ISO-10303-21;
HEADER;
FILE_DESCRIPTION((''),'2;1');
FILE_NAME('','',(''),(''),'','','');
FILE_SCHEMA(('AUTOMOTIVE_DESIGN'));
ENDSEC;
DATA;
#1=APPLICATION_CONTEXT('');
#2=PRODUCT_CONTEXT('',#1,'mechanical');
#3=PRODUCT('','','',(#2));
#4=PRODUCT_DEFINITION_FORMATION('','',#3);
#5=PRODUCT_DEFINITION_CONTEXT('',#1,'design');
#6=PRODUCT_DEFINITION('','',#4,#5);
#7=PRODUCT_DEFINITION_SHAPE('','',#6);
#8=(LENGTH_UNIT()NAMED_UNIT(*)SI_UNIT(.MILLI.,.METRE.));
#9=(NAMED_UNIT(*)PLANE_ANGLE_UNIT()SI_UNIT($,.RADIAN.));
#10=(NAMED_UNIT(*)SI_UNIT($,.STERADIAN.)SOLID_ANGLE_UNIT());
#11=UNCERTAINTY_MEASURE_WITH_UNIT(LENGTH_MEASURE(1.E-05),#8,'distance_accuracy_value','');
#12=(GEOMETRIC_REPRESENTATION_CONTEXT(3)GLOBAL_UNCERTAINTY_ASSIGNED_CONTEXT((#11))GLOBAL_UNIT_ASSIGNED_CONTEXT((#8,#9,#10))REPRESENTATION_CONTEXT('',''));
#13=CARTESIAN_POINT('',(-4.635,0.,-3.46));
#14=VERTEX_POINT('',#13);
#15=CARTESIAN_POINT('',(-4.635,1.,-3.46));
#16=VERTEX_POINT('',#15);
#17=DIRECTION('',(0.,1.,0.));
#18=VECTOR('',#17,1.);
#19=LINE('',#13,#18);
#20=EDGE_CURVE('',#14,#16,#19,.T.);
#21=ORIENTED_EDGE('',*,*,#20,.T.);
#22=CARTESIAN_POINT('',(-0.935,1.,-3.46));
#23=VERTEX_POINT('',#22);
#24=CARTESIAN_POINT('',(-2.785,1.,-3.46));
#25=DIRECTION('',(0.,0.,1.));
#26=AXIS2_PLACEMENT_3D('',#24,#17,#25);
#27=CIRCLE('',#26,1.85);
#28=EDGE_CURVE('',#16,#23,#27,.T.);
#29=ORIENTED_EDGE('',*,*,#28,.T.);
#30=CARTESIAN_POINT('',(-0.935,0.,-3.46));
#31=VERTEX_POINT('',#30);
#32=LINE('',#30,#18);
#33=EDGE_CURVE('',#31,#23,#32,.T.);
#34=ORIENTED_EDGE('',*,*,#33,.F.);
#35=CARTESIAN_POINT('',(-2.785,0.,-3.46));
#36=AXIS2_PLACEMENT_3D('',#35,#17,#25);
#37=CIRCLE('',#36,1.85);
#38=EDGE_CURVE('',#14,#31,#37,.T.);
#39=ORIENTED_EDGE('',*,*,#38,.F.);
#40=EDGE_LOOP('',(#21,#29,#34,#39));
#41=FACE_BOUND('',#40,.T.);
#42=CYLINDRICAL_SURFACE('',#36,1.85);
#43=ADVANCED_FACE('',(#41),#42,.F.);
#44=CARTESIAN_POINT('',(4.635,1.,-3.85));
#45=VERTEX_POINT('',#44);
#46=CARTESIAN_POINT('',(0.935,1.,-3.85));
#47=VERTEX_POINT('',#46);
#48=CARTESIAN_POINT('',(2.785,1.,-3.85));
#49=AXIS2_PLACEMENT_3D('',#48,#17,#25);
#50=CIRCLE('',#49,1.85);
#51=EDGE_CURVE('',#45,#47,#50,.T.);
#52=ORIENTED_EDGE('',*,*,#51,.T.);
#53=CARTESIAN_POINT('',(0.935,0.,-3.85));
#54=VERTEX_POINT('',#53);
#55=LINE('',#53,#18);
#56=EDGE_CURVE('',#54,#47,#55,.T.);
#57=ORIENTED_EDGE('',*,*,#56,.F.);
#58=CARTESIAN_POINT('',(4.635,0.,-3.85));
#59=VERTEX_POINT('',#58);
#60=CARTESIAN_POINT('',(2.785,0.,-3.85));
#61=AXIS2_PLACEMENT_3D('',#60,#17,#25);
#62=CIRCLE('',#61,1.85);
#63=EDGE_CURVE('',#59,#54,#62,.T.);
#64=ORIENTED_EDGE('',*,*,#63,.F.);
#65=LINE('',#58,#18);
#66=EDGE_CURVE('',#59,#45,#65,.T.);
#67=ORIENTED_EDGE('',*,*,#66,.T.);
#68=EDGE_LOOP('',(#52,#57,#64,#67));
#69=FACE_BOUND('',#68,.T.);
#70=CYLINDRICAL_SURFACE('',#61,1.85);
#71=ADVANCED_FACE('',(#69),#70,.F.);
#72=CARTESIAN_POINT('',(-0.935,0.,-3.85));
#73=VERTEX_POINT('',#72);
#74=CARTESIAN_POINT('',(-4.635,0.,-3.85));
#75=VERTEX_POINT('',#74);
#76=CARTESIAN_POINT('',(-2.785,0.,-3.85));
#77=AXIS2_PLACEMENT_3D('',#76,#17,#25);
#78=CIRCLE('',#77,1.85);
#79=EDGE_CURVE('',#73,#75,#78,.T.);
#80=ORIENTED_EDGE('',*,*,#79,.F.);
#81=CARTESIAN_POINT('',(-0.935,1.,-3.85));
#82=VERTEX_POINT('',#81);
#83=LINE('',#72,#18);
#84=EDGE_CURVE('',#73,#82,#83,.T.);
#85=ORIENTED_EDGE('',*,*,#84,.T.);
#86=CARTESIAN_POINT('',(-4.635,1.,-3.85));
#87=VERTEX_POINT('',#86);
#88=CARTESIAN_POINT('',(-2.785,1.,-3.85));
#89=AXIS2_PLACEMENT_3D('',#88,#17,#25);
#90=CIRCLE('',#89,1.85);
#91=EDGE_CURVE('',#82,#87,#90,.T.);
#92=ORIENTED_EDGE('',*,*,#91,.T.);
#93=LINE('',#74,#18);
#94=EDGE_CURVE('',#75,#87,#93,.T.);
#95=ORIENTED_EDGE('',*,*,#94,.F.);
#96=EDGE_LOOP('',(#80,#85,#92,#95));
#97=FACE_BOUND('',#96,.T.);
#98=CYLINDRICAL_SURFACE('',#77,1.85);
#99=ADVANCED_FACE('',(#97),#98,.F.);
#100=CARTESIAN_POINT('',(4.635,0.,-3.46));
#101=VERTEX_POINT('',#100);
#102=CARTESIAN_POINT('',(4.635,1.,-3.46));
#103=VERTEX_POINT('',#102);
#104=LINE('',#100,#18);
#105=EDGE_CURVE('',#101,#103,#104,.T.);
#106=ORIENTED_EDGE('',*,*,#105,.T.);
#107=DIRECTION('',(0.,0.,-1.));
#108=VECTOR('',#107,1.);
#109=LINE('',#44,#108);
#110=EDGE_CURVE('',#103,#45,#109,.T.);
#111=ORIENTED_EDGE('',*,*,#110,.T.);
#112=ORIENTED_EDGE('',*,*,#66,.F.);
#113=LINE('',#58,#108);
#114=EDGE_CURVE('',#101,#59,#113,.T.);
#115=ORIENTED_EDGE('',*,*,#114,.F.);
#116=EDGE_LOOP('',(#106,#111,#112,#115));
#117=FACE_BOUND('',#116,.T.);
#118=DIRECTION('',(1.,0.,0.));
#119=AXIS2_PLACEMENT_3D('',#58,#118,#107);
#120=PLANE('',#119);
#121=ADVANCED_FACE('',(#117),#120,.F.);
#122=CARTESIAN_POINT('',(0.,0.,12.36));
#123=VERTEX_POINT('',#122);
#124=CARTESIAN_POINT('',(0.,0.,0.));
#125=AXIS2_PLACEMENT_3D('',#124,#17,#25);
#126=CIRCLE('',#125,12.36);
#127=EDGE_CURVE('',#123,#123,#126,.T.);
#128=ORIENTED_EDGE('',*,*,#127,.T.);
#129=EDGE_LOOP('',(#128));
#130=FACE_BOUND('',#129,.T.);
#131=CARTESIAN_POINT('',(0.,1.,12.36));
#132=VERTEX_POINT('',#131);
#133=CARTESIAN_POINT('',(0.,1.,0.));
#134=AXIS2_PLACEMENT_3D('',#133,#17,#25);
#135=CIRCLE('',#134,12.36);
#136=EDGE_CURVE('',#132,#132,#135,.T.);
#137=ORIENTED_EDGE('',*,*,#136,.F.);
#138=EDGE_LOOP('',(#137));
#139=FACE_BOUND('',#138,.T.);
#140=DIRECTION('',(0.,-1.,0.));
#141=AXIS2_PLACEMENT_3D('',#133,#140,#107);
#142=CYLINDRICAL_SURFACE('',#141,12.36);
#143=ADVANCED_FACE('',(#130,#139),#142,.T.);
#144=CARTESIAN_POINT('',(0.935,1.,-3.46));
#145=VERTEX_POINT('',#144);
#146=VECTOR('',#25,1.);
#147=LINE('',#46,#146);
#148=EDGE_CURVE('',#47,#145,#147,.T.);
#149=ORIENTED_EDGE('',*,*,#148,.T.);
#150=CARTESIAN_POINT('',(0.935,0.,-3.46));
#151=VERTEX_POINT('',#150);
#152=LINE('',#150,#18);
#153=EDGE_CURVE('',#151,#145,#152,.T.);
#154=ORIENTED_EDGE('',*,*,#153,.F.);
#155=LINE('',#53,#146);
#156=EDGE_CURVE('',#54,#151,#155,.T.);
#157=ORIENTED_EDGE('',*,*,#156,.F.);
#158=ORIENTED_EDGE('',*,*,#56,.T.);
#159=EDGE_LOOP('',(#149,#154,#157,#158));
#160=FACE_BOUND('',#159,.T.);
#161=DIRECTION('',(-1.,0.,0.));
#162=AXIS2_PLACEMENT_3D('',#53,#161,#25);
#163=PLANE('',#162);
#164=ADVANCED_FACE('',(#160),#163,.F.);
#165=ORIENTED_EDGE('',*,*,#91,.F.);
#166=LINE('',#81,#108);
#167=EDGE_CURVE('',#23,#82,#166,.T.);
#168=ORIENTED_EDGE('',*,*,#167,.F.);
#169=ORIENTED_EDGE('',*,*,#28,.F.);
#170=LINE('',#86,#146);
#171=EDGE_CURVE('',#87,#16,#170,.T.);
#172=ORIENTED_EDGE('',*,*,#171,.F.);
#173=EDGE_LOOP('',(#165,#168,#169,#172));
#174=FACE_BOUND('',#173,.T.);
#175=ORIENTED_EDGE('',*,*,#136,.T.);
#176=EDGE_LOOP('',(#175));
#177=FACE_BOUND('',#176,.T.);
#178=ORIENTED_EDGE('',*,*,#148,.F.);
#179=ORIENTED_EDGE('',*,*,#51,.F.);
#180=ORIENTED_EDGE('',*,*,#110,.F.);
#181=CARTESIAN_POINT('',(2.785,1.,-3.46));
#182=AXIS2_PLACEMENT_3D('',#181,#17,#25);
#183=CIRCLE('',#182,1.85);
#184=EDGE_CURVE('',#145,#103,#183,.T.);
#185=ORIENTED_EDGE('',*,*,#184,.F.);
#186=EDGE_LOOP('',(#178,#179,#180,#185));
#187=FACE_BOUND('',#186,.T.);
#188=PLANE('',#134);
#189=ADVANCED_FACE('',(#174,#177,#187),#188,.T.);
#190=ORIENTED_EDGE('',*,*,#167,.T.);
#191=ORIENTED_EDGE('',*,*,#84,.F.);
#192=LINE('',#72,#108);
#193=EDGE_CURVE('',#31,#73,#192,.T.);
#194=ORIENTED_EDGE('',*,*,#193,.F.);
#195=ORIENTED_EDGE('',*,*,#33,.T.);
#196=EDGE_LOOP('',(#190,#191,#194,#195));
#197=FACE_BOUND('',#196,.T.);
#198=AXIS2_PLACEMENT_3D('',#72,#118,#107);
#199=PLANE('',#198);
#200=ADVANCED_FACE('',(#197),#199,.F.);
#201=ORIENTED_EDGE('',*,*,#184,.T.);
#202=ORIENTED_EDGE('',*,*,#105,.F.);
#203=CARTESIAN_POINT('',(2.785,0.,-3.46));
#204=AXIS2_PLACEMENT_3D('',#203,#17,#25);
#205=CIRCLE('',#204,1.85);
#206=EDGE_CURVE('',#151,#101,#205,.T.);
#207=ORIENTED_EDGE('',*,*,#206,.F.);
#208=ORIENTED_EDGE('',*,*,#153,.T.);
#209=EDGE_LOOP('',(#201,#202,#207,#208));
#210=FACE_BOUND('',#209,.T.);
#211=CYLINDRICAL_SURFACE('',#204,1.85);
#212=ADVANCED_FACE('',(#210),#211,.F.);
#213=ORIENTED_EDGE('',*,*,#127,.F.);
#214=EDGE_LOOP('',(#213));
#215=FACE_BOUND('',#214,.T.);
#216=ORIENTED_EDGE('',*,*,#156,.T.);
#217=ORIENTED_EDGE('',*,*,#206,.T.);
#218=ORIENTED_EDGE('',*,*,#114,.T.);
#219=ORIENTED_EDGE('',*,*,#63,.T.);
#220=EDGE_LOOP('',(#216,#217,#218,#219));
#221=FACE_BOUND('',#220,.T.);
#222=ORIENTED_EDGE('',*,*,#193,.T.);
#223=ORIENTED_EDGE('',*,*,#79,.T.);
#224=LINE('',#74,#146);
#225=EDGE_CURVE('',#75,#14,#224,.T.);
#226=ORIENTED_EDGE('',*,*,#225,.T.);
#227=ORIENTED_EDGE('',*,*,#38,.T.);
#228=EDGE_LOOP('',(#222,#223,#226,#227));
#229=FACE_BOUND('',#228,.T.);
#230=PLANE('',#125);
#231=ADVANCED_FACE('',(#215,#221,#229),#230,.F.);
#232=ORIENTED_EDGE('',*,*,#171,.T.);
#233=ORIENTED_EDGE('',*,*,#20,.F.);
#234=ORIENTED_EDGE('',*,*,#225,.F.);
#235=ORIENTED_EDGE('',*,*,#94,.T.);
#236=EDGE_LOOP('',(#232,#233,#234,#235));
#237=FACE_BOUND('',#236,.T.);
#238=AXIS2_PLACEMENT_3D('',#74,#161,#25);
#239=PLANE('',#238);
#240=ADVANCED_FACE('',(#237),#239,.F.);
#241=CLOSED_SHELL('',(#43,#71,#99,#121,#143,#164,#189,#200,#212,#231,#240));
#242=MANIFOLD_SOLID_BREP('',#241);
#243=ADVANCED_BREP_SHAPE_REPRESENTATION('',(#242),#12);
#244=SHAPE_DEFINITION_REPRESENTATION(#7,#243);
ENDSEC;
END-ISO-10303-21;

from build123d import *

# Parameters (mm, degrees)
SKETCH1_R           = 12.36
BOSS_EXTRUDE1_DEPTH = 1
CUT_EXTRUDE1_DEPTH  = 18.508260907


with BuildPart() as part:
    # Sketch1 → Boss-Extrude1 (new body)
    with BuildSketch(Plane(origin=(0, 0, 0), x_dir=(1, 0, 0), z_dir=(0, 1, 0))):
        with Locations(Location((0, 0, 0), (0, 0, 270))):
            Circle(SKETCH1_R)
    extrude(amount=BOSS_EXTRUDE1_DEPTH)

    # Sketch2 → Cut-Extrude1 (cut, through all)
    with BuildSketch(Plane(origin=(0, 1, 0), x_dir=(1, 0, 0), z_dir=(0, 1, 0))):
        with BuildLine():
            Line((4.635, 3.85), (4.635, 3.46))
            ThreePointArc((4.635, 3.46), (2.785, 1.61), (0.935, 3.46))
            Line((0.935, 3.46), (0.935, 3.85))
            ThreePointArc((0.935, 3.85), (2.785, 5.7), (4.635, 3.85))
        make_face()
        with BuildLine():
            Line((-0.935, 3.85), (-0.935, 3.46))
            ThreePointArc((-0.935, 3.46), (-2.785, 1.61), (-4.635, 3.46))
            Line((-4.635, 3.46), (-4.635, 3.85))
            ThreePointArc((-4.635, 3.85), (-2.785, 5.7), (-0.935, 3.85))
        make_face()
    extrude(amount=-CUT_EXTRUDE1_DEPTH, mode=Mode.SUBTRACT)


solid = part.part
